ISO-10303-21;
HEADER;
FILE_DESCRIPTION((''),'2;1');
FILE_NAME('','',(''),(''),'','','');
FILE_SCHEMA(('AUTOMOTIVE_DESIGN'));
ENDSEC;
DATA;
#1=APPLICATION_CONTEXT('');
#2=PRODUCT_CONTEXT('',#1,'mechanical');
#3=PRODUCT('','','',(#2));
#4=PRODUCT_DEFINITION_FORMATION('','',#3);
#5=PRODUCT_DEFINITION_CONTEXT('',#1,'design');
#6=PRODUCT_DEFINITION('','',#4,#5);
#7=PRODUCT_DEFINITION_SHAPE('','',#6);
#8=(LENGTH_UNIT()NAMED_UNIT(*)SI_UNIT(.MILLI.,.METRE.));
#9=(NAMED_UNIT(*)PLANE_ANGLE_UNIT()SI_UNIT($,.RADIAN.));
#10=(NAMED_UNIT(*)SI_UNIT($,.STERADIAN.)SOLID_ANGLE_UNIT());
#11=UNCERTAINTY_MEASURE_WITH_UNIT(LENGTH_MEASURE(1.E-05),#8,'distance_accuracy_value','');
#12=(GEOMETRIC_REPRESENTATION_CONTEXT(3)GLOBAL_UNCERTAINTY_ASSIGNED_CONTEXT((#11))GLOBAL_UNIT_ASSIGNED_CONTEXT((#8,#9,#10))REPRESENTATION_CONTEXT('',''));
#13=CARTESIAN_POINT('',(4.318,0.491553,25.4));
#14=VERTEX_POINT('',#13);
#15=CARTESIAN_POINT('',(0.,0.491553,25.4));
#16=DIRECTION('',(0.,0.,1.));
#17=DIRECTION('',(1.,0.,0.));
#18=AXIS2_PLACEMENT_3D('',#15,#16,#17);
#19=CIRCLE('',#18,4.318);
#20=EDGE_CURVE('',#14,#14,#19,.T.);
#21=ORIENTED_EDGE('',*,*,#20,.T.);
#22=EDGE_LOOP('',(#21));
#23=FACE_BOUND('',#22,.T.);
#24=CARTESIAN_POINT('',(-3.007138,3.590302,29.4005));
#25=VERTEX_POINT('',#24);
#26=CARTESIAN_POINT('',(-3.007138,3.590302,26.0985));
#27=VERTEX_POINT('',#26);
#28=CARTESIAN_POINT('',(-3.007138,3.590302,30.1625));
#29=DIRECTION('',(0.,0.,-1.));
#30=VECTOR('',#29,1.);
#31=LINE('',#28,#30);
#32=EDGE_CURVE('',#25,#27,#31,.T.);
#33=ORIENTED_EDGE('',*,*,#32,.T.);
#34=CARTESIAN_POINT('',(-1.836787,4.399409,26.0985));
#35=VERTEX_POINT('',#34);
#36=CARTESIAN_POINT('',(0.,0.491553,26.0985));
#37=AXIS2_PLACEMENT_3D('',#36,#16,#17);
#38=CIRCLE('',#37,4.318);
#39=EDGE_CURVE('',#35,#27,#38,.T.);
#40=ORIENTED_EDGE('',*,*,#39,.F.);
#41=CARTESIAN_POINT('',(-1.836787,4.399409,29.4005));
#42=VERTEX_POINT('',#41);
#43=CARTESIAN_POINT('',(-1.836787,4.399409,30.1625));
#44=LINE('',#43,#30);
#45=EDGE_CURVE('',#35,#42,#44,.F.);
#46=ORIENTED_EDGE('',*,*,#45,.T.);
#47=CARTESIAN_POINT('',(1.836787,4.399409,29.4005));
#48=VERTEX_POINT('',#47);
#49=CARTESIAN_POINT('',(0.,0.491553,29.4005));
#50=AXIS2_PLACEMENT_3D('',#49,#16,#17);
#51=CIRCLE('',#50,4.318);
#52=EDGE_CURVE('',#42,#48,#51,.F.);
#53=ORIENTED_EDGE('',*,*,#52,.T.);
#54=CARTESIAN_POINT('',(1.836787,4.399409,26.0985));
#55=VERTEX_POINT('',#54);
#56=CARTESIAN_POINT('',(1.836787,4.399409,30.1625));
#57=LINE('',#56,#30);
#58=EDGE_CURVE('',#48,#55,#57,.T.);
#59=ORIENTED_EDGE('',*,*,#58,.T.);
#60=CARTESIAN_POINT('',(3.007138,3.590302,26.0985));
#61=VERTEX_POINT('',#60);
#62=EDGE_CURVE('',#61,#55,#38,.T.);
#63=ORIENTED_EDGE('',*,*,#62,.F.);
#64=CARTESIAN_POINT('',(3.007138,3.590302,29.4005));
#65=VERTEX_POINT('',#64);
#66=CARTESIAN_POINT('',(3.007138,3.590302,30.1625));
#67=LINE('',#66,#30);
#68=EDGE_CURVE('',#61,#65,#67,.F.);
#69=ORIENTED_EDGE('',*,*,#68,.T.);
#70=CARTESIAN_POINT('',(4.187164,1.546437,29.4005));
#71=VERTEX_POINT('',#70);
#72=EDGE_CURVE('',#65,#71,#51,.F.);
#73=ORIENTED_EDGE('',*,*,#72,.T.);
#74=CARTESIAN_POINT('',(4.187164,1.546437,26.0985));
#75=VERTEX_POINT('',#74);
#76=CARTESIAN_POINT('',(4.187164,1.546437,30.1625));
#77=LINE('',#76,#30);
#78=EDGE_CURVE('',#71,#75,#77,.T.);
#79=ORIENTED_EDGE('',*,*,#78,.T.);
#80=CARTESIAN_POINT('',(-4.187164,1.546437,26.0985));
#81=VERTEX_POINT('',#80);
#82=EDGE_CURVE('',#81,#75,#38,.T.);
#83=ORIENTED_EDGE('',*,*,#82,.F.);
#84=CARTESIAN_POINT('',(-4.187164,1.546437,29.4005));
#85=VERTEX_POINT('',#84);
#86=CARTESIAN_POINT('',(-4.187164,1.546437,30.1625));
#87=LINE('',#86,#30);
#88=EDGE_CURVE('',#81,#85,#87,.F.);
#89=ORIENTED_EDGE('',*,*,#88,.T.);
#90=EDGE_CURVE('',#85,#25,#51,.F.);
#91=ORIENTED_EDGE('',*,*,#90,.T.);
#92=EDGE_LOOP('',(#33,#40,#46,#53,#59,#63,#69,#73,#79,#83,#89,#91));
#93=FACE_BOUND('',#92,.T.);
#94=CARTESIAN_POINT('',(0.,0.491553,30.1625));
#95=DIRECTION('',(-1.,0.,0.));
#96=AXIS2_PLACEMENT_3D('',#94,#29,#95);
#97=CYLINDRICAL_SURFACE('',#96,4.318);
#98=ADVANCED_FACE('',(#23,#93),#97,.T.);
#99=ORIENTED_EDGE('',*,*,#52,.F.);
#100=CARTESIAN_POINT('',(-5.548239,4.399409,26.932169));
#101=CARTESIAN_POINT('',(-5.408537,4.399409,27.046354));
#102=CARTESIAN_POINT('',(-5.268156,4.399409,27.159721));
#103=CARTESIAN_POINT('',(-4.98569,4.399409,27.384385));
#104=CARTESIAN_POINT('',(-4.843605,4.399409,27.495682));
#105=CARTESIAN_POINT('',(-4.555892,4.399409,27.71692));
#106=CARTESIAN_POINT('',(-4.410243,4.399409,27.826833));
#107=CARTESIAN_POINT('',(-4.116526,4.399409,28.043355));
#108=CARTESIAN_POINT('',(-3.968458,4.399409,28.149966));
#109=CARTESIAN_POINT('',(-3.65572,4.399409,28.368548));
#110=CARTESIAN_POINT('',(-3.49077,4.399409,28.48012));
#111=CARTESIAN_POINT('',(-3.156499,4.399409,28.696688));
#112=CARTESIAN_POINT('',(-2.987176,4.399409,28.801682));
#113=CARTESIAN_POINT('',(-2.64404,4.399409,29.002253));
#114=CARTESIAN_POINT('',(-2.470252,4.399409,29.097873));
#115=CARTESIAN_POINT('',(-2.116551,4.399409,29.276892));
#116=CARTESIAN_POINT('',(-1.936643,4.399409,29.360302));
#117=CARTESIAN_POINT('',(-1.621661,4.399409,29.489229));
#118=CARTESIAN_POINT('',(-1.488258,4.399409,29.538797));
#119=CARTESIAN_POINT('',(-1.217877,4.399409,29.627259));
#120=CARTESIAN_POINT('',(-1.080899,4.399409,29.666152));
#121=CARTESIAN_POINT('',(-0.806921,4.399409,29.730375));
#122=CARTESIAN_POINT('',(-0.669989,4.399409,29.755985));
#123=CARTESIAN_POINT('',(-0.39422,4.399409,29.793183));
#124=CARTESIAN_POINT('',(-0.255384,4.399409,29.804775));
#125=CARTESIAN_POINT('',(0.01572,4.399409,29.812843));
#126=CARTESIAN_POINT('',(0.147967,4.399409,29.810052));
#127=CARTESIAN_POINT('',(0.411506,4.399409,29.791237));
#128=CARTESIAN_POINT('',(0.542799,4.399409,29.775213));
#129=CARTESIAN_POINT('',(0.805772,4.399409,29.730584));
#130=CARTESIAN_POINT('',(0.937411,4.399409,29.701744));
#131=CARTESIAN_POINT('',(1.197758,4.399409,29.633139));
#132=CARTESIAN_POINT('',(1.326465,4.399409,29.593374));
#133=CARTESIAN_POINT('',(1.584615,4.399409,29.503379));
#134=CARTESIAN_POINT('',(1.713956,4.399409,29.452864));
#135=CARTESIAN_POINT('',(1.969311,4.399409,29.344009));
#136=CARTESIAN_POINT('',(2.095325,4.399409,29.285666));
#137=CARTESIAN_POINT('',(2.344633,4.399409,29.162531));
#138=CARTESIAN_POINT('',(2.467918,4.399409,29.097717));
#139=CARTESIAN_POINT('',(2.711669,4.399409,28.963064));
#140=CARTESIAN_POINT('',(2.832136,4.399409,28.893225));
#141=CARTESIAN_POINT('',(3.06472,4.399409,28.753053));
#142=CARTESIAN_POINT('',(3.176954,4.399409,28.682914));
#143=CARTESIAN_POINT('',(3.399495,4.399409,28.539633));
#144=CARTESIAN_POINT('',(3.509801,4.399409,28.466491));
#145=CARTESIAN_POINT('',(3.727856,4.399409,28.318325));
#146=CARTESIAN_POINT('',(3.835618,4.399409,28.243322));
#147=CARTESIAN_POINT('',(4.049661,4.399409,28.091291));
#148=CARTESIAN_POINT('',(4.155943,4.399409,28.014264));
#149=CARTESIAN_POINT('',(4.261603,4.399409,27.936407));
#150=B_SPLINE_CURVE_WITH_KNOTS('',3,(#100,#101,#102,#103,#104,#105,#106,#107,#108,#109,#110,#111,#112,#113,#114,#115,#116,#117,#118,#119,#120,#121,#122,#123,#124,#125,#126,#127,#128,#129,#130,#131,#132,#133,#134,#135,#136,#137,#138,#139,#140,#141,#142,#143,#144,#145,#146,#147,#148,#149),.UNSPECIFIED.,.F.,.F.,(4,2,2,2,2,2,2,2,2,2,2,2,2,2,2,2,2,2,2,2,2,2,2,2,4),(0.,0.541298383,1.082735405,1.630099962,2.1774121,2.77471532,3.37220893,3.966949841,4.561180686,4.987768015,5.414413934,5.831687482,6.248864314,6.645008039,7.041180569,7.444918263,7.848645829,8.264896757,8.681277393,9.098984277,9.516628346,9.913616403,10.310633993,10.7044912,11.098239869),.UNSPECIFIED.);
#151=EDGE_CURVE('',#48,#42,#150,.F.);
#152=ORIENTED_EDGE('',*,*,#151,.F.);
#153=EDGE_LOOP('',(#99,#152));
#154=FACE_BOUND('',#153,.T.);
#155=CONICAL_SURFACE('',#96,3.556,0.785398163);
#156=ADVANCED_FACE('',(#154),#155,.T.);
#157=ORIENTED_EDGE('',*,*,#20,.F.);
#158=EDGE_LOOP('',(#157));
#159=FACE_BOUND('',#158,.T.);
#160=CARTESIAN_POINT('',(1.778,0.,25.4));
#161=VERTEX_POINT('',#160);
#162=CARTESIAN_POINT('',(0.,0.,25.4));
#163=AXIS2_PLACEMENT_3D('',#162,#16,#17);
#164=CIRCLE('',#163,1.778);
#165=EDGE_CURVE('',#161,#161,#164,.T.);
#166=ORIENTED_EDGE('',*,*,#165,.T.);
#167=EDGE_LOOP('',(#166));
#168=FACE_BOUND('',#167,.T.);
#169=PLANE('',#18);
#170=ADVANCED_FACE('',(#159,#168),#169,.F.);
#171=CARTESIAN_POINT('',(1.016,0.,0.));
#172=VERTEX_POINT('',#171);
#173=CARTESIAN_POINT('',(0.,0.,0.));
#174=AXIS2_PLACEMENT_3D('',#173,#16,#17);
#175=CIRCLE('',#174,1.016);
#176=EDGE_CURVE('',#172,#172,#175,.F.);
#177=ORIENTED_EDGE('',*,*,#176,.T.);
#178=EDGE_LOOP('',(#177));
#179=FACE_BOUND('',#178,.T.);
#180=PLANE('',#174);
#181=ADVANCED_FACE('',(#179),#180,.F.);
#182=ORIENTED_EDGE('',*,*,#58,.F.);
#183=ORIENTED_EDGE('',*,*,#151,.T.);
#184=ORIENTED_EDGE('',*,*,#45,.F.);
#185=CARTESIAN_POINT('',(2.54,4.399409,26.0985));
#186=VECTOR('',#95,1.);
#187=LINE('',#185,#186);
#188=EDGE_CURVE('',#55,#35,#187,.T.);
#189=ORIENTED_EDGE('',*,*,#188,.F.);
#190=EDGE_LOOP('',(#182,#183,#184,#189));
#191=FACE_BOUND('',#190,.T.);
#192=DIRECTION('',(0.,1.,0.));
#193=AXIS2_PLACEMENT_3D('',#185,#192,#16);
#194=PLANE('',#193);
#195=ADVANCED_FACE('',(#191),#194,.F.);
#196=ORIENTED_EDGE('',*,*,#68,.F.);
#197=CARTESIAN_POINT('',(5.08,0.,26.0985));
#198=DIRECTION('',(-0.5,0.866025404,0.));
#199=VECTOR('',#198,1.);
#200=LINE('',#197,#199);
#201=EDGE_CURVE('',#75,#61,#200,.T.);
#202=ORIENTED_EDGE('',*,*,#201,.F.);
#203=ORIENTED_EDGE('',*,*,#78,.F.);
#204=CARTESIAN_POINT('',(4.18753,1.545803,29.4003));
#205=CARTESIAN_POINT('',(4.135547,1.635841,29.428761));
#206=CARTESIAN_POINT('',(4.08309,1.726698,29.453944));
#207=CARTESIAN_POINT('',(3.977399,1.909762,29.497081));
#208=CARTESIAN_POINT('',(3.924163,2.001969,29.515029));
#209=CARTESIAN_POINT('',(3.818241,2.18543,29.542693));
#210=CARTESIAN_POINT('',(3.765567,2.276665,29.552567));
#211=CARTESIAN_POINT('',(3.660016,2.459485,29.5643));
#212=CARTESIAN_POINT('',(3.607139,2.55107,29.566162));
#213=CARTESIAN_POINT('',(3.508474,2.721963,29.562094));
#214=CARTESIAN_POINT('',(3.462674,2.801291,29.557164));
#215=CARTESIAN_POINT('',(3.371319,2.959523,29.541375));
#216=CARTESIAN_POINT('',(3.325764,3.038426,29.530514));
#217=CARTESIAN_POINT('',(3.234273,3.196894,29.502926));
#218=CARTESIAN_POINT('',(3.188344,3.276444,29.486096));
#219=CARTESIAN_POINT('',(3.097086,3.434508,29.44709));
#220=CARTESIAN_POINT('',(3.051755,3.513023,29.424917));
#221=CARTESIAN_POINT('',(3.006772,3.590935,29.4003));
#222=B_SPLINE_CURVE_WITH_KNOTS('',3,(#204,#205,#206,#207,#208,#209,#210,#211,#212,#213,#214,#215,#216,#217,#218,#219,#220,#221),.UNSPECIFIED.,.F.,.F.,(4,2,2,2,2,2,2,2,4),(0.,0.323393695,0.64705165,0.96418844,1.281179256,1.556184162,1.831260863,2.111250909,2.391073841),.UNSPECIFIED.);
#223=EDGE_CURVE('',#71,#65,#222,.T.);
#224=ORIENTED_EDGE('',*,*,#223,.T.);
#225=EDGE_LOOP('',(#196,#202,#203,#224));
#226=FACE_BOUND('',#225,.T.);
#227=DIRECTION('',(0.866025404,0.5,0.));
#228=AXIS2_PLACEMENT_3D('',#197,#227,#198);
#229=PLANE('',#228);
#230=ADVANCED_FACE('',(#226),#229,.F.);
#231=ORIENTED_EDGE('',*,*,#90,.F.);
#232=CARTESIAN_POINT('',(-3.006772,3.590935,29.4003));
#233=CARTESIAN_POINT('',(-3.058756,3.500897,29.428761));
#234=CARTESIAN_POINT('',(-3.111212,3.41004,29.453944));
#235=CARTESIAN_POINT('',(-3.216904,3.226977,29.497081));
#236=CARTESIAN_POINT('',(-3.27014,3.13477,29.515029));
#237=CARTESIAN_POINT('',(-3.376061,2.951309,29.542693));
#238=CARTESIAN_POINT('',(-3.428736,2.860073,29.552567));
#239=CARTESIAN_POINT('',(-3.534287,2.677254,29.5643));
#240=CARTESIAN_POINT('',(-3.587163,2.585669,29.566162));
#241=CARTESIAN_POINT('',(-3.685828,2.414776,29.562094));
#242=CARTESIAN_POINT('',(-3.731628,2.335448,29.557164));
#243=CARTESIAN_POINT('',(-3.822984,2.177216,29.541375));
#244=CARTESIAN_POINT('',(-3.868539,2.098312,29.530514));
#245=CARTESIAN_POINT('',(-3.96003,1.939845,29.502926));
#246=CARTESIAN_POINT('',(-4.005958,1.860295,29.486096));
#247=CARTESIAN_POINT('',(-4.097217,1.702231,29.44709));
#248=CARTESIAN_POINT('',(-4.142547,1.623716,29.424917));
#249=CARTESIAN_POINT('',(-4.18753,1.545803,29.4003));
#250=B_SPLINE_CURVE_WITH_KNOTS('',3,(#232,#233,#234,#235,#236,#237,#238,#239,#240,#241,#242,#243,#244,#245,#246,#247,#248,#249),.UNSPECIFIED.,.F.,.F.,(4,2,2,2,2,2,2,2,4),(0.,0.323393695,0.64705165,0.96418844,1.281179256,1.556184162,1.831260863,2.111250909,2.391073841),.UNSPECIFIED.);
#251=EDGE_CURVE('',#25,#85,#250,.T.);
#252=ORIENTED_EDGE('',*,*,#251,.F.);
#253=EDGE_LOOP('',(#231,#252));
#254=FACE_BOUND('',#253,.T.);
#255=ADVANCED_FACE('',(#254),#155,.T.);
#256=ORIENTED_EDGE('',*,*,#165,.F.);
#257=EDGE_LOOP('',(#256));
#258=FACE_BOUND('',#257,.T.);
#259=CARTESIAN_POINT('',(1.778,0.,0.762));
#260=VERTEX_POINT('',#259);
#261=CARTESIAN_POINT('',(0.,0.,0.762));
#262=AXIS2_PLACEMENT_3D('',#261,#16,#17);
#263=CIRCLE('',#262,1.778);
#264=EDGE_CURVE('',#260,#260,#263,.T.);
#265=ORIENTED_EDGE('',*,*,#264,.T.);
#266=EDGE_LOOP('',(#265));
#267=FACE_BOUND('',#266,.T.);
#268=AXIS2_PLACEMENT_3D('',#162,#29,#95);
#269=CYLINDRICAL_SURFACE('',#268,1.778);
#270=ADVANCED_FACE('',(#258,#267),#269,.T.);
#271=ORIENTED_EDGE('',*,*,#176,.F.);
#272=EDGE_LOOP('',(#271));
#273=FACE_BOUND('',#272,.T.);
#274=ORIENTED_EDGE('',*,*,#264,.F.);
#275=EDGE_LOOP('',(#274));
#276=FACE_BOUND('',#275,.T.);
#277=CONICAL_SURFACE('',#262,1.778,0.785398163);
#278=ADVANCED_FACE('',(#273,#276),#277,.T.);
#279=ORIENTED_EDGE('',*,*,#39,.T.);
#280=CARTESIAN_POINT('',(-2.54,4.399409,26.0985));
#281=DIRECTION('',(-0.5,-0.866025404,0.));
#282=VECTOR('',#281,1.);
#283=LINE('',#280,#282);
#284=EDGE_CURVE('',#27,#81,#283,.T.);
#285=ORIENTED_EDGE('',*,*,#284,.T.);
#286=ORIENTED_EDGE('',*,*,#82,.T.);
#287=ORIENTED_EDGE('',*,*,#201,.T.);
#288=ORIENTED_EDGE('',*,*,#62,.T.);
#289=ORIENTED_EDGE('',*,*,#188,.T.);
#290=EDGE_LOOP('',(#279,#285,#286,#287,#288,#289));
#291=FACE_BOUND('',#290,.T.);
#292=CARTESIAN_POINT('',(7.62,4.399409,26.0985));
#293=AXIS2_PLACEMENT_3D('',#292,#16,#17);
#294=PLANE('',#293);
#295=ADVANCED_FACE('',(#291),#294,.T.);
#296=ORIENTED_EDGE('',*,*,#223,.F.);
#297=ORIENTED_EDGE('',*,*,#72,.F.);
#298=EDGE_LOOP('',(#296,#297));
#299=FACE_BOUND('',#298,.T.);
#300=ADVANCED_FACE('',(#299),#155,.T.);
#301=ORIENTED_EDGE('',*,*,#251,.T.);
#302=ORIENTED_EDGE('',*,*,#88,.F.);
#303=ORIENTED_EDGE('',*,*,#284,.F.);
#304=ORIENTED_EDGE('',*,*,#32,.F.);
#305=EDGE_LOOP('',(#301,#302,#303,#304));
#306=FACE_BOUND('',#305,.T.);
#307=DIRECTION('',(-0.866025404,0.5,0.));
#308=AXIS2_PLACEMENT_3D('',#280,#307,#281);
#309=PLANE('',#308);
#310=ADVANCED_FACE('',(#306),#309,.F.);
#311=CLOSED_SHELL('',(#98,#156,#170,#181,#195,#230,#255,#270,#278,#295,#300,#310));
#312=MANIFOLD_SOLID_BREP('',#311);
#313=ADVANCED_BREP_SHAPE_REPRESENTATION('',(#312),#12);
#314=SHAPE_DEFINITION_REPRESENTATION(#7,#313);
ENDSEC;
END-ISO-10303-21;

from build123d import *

# Parameters (mm, degrees)
SKETCH1_R          = 1.778
EXTRUDE1_DEPTH     = 25.4
SKETCH3_R          = 4.318
EXTRUDE3_DEPTH     = 4.7625
CHAMFER1_SIZE      = 0.762
CUT_EXTRUDE1_DEPTH = 4.064


with BuildPart() as part:
    # Sketch1 → Extrude1 (new body)
    with BuildSketch(Plane.XY):
        Circle(SKETCH1_R)
    extrude(amount=EXTRUDE1_DEPTH)

    # Sketch3 → Extrude3 (add)
    with BuildSketch(Plane.XY.offset(25.4)):
        with Locations(Location((0, 0.491553118, 0), (0, 0, 180))):
            Circle(SKETCH3_R)
    extrude(amount=EXTRUDE3_DEPTH)

    # Chamfer1
    chamfer1_edges = [part.edges().sort_by_distance(p)[0] for p in [
        (-1.778, 0, 0),
        (4.318, 0.491553118, 30.1625),
    ]]
    chamfer(chamfer1_edges, length=CHAMFER1_SIZE)

    # Sketch4 → Cut-Extrude1 (cut)
    with BuildSketch(Plane.XY.offset(30.1625)):
        Polygon((5.08, 0), (2.54, 4.399409051), (-2.54, 4.399409051), (-5.08, 0), (-2.54, -4.399409051), (2.54, -4.399409051), align=None)
    extrude(amount=-CUT_EXTRUDE1_DEPTH, mode=Mode.SUBTRACT)


solid = part.part
